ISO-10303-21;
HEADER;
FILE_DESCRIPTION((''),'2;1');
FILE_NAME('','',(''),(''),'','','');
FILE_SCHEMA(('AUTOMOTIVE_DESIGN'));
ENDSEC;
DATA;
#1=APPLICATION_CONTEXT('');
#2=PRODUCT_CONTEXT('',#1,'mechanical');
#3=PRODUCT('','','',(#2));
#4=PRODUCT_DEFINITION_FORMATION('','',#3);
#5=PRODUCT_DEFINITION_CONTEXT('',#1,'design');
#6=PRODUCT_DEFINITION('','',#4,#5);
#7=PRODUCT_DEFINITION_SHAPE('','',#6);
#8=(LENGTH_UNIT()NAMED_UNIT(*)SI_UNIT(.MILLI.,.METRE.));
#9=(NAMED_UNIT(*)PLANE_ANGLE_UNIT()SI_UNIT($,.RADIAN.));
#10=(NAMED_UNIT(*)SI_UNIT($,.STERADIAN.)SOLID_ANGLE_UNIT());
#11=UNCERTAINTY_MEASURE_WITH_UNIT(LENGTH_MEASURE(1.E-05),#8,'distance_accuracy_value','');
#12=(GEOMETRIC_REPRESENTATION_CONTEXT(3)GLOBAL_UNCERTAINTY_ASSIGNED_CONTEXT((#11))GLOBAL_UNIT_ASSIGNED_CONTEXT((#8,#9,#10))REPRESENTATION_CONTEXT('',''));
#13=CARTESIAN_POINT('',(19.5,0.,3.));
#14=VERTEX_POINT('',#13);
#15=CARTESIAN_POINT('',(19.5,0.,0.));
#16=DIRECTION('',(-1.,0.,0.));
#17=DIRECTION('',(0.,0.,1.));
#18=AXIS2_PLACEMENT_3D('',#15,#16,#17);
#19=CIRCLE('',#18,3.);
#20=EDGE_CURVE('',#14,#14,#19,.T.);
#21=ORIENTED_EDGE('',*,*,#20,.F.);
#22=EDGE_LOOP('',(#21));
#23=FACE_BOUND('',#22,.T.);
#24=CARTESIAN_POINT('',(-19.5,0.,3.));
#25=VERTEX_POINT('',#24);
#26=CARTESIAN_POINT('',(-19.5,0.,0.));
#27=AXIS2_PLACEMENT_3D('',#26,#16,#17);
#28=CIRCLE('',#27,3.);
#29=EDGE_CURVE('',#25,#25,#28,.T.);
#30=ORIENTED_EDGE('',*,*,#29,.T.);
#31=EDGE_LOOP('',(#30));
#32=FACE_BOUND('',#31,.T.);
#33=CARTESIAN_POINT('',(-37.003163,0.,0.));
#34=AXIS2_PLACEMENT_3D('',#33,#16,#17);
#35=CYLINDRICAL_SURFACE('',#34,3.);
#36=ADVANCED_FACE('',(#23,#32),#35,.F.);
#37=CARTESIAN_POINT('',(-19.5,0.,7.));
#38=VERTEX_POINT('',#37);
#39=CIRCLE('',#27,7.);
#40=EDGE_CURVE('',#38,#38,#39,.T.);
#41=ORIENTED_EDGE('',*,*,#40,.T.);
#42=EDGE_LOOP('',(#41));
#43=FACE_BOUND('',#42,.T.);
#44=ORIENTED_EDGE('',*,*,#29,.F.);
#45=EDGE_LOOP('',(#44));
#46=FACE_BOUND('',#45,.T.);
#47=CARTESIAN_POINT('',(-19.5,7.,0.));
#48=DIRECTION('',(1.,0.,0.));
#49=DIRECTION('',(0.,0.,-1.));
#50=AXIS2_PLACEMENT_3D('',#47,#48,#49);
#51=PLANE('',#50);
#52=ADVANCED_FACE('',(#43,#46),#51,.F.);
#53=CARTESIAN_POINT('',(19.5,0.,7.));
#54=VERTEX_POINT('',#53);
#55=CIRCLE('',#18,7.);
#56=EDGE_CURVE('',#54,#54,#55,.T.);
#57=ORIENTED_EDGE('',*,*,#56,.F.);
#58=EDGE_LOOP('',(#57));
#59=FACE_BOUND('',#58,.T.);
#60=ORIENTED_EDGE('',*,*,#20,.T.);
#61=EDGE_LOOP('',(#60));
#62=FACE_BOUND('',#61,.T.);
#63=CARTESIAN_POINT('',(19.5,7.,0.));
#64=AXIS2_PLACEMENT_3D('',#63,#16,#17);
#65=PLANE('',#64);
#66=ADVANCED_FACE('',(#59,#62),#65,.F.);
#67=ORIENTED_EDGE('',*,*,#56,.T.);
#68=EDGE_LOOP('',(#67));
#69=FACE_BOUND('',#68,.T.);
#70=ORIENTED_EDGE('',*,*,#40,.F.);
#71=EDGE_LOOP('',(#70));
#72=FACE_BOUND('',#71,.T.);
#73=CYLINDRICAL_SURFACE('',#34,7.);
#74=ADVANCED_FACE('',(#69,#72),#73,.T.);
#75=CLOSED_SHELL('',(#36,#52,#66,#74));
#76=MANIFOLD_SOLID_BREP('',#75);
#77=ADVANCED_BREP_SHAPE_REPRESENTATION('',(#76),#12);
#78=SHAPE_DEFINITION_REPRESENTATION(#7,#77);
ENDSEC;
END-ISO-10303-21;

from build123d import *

# Parameters (mm, degrees)
SKETCH1_W = 39
SKETCH1_H = 4


with BuildPart() as part:
    # Sketch1 → Revolve1 (revolve)
    with BuildSketch(Plane.XY):
        with Locations((0, 5)):
            Rectangle(SKETCH1_W, SKETCH1_H)
    revolve(axis=Axis((-37.003163219, 0, 0), (1, 0, 0)))


solid = part.part
